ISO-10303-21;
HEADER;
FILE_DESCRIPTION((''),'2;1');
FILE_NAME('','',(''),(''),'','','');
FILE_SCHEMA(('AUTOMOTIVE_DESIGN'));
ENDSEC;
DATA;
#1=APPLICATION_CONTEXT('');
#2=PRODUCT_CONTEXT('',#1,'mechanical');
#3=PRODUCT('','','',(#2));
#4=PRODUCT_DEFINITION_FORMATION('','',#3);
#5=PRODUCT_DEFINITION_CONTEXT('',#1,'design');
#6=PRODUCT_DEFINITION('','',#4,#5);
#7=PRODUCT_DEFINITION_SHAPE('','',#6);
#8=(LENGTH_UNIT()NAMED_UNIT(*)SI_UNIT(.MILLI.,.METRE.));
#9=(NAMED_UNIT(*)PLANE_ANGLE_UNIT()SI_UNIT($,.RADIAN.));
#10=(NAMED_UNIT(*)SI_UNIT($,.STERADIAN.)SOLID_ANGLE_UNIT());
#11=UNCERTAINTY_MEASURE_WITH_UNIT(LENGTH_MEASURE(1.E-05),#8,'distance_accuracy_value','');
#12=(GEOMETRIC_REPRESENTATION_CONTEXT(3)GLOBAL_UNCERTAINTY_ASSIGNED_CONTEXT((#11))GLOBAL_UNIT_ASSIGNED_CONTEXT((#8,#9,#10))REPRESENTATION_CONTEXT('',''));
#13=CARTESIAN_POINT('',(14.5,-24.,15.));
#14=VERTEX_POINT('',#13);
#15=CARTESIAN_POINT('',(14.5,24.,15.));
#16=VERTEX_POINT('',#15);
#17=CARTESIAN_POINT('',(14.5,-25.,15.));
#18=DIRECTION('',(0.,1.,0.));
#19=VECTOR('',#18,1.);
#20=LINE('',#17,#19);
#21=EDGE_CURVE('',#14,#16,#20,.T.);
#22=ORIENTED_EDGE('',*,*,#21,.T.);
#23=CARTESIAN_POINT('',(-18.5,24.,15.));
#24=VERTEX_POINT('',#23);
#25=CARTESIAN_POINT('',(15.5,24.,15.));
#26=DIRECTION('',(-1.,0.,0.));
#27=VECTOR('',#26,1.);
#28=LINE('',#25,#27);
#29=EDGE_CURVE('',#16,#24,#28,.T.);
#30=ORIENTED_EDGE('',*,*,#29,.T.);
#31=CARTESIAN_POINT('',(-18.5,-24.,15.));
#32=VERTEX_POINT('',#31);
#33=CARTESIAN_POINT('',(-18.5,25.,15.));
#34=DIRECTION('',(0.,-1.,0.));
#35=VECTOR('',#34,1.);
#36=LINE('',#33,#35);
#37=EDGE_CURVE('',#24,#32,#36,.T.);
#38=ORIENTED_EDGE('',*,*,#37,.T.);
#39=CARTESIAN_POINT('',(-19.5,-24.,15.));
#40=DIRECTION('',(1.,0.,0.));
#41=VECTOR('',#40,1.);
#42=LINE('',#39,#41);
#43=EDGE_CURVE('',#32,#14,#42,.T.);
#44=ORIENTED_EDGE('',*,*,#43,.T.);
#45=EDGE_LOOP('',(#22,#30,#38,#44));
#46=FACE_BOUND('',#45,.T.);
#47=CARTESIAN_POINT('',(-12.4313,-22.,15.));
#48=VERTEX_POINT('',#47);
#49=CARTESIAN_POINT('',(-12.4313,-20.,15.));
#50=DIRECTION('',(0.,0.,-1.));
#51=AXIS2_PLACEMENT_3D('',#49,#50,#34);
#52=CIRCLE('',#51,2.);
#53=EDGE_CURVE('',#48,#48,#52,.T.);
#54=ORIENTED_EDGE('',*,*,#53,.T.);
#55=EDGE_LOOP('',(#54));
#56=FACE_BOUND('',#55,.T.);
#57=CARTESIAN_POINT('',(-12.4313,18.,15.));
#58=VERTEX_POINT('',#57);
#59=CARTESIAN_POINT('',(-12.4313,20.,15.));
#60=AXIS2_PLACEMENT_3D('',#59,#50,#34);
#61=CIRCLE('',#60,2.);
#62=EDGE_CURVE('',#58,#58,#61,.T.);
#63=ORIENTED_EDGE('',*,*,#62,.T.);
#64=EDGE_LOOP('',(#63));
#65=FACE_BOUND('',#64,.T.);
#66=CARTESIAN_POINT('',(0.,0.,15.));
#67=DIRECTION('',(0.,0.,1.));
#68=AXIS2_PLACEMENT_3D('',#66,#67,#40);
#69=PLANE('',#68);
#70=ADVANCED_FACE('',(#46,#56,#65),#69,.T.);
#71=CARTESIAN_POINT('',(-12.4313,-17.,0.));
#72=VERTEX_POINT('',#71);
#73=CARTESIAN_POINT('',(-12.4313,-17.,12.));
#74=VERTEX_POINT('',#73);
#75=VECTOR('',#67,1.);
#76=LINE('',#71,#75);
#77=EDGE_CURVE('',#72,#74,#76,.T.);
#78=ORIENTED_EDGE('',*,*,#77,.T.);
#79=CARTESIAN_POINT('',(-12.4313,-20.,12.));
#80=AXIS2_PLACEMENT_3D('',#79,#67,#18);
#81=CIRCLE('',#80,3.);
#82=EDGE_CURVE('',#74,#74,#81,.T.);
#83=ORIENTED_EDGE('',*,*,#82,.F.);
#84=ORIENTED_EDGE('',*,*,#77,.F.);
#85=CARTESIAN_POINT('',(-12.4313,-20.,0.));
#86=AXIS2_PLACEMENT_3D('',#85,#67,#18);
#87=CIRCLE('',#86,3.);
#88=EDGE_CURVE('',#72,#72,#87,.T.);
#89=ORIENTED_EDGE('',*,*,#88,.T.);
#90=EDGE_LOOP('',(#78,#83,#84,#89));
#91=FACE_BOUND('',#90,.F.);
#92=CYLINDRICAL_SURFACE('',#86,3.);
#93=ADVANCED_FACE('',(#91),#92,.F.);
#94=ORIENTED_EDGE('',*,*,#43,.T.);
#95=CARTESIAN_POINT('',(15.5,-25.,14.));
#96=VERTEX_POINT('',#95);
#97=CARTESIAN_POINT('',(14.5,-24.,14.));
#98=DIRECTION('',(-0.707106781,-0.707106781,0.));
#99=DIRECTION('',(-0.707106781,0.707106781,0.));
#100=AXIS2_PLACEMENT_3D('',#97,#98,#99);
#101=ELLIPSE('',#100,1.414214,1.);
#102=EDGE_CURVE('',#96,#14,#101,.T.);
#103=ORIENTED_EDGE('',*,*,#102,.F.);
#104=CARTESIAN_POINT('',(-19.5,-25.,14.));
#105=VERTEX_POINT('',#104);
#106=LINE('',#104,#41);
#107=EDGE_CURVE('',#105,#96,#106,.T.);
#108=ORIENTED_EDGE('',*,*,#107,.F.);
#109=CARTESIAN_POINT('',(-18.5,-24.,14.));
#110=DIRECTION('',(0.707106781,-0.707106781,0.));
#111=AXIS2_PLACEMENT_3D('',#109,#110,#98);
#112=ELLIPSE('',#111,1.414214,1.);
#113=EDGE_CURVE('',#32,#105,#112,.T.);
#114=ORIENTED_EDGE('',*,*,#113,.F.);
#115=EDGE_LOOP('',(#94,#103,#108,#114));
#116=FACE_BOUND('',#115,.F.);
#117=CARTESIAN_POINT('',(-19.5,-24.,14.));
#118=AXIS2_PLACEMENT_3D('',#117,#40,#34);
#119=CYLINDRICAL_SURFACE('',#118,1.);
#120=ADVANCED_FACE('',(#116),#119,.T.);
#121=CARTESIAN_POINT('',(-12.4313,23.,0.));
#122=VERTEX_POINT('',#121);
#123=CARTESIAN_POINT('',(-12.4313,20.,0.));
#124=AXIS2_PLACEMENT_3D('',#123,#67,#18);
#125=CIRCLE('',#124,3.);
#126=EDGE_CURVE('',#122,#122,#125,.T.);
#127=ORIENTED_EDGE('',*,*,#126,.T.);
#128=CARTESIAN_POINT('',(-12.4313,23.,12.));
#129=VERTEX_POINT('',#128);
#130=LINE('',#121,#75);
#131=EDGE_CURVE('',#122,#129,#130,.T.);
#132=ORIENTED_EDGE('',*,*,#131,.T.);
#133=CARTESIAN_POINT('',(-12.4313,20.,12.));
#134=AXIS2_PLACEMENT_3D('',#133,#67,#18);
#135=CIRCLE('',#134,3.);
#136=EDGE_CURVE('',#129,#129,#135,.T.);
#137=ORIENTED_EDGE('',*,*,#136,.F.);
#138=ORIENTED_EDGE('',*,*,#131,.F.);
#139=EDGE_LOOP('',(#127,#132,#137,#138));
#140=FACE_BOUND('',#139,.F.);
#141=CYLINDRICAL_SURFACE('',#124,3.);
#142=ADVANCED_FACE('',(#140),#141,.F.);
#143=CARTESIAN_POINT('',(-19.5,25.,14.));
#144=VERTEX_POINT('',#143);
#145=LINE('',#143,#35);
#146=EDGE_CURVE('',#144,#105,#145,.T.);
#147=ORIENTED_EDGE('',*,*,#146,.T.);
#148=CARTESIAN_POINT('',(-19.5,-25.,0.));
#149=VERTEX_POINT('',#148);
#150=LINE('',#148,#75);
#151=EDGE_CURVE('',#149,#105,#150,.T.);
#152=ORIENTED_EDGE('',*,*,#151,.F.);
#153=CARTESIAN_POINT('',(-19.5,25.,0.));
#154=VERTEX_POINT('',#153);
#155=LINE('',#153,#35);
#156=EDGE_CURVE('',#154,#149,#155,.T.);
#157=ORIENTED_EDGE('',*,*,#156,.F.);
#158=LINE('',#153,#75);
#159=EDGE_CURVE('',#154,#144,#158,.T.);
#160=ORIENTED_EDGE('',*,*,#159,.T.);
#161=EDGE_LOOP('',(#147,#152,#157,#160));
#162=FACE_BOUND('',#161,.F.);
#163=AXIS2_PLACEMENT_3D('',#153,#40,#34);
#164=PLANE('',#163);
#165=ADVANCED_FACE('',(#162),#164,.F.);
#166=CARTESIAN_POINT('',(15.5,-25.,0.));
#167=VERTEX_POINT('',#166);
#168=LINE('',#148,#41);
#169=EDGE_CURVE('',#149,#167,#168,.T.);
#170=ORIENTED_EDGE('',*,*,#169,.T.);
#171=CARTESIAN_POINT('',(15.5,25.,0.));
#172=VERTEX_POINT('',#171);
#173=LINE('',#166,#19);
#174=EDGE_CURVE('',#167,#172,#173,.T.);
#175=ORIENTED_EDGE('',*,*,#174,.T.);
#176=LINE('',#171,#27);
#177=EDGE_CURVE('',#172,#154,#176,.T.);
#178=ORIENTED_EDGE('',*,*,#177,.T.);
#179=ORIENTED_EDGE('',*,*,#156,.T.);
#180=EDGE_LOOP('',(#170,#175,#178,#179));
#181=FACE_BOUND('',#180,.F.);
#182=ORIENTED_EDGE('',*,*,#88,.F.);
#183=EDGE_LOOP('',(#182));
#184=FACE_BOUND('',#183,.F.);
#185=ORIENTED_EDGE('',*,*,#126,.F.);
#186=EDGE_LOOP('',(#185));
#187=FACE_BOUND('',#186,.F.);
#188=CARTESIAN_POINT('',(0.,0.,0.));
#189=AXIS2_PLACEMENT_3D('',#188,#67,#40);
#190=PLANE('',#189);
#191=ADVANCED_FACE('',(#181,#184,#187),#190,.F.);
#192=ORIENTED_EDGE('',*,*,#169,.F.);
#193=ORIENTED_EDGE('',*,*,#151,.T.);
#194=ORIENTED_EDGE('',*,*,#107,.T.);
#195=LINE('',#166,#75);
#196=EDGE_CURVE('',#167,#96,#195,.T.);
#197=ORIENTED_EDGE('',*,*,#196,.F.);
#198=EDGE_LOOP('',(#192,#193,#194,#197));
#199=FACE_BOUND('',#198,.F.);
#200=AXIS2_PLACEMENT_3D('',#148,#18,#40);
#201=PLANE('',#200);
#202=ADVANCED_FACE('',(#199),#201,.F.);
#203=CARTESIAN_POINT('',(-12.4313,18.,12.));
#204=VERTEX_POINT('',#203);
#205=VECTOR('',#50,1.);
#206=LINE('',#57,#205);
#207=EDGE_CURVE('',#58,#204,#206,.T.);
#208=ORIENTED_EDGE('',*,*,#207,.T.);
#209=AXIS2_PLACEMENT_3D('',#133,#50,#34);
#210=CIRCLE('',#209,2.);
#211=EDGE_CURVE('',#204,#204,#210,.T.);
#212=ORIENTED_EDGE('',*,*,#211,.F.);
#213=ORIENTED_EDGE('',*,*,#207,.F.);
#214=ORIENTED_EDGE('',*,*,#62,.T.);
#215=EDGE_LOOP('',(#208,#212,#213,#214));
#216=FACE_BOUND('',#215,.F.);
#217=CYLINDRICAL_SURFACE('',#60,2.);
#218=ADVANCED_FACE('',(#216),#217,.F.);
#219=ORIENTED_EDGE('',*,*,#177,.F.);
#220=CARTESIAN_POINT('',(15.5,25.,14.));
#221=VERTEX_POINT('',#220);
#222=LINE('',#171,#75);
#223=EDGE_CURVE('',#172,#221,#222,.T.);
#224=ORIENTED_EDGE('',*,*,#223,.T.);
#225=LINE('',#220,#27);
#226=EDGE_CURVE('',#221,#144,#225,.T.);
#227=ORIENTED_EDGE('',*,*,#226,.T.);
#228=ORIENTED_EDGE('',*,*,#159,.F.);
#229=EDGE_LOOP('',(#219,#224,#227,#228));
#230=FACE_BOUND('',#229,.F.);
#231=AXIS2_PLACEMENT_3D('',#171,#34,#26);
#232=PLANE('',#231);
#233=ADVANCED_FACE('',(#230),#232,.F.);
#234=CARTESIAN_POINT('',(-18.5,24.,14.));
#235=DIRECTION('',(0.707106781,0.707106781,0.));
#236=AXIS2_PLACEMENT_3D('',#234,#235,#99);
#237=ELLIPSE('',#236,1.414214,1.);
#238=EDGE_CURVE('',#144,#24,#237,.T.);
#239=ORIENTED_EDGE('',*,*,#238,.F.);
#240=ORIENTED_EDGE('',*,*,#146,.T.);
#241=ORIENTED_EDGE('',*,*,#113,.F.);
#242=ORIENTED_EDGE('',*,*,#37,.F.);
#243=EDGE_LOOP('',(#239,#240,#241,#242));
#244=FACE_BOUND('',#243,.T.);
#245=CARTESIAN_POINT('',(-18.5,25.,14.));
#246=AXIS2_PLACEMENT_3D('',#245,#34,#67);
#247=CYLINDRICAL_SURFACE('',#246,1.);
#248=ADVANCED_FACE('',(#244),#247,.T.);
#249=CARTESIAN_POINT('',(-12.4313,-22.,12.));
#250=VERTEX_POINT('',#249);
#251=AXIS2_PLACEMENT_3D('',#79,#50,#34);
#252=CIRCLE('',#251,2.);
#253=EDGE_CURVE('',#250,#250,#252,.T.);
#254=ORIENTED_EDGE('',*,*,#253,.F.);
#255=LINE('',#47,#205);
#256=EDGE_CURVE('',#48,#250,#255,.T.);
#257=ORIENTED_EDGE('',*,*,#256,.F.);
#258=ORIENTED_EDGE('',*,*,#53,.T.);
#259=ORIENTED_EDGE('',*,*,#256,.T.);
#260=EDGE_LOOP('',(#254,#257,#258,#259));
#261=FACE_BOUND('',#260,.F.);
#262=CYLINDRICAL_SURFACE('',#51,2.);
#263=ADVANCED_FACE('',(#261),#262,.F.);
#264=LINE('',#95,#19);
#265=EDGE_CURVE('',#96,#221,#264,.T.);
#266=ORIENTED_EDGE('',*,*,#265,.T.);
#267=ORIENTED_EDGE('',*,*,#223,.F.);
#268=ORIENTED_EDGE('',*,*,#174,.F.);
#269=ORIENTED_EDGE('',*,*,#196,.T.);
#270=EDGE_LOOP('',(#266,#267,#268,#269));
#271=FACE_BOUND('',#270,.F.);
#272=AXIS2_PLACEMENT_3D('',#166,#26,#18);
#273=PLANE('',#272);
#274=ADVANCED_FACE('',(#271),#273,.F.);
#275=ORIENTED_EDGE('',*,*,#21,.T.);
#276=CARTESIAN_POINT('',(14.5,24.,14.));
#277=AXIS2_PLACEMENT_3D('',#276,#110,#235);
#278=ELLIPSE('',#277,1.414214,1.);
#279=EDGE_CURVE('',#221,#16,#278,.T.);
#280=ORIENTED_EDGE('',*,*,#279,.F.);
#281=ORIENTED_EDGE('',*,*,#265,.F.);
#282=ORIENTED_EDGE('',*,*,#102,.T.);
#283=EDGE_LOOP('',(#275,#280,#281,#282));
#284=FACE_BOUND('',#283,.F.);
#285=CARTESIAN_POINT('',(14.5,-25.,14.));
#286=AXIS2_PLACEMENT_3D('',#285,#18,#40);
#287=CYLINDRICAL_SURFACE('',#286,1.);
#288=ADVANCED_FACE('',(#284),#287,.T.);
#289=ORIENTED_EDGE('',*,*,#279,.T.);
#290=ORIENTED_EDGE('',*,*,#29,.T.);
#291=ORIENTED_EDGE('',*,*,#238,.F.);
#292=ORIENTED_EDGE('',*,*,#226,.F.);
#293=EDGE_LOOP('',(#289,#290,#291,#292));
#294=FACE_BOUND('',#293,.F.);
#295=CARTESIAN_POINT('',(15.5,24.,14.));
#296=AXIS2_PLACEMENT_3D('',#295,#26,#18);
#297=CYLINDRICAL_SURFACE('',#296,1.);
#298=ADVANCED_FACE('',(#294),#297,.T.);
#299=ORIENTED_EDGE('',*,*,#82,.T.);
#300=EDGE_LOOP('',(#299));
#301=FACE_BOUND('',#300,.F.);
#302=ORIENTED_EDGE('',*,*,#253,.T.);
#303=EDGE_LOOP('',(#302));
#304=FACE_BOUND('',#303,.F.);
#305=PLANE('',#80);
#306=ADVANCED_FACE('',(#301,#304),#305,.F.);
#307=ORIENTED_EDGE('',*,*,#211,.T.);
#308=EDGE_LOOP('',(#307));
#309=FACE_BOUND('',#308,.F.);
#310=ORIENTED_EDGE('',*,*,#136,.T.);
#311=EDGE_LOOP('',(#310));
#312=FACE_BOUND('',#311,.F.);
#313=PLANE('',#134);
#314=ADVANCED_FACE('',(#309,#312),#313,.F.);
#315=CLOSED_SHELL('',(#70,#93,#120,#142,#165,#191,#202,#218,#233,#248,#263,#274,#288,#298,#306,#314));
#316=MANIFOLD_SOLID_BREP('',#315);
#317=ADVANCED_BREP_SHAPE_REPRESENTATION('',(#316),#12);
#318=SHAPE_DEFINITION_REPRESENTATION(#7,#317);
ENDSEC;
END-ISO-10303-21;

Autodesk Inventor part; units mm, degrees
ref_plane "YZ Plane" through (0, 0, 0) normal (1, 0, 0) x (0, 1, 0)
ref_plane "XZ Plane" through (0, 0, 0) normal (0, 1, 0) x (-1, 0, 0)
ref_plane "XY Plane" through (0, 0, 0) normal (0, 0, 1) x (1, 0, 0)
ref_plane "Work Plane1" through (0, 0, 0) normal (0, 0, 1) x (1, 0, 0)
sketch "SKbase" plane through (0, 0, 0) normal (0, 0, 1) x (1, 0, 0)
  line L0 (15.5, 25) -> (-19.5, 25)
  line L1 (-19.5, 25) -> (-19.5, -25)
  line L2 (-19.5, -25) -> (15.5, -25)
  line L3 (15.5, -25) -> (15.5, 25)
  point P0 (0, 0)
  point P1 (15.5, 0)
  point P2 (-2, -25)
  dimension "d0" = 35
  dimension "d1" = 50
extrude "EXbase" add sketch "SKbase" along normal blind 15
sketch "Sketch2" plane through (0, 0, 15) normal (0, 0, 1) x (1, 0, 0)
  line L0 (-12.4313, 20) -> (-12.4313, 25)
  line L1 (15.5, 25) -> (-19.5, 25) projected
  line L2 (-12.4313, -20) -> (-12.4313, -25)
  line L3 (-19.5, -25) -> (15.5, -25) projected
  point P0 (0, 0)
  dimension "d6" = 40
hole "Hole1" at (-12.4313, -20, 15) at (-12.4313, 20, 15) direction (0, 0, -1) diameter 4 end through all
fillet "Fillet1" radius 1 4 edges at (15.5, 0, 15) (-2, 25, 15) (-19.5, 0, 15) (-2, -25, 15)
sketch "Sketch3" plane through (0, 0, 0) normal (0, 0, -1) x (-1, 0, 0)
  circle A0 centre (12.4313, 20) radius 2 projected
  circle A1 centre (12.4313, -20) radius 2 projected
  point P0 (0, 0)
hole "Hole2" at (-12.4313, 20, 0) at (-12.4313, -20, 0) direction (0, 0, 1) diameter 6 depth 12
properties part number "optoNCDT_mount"
